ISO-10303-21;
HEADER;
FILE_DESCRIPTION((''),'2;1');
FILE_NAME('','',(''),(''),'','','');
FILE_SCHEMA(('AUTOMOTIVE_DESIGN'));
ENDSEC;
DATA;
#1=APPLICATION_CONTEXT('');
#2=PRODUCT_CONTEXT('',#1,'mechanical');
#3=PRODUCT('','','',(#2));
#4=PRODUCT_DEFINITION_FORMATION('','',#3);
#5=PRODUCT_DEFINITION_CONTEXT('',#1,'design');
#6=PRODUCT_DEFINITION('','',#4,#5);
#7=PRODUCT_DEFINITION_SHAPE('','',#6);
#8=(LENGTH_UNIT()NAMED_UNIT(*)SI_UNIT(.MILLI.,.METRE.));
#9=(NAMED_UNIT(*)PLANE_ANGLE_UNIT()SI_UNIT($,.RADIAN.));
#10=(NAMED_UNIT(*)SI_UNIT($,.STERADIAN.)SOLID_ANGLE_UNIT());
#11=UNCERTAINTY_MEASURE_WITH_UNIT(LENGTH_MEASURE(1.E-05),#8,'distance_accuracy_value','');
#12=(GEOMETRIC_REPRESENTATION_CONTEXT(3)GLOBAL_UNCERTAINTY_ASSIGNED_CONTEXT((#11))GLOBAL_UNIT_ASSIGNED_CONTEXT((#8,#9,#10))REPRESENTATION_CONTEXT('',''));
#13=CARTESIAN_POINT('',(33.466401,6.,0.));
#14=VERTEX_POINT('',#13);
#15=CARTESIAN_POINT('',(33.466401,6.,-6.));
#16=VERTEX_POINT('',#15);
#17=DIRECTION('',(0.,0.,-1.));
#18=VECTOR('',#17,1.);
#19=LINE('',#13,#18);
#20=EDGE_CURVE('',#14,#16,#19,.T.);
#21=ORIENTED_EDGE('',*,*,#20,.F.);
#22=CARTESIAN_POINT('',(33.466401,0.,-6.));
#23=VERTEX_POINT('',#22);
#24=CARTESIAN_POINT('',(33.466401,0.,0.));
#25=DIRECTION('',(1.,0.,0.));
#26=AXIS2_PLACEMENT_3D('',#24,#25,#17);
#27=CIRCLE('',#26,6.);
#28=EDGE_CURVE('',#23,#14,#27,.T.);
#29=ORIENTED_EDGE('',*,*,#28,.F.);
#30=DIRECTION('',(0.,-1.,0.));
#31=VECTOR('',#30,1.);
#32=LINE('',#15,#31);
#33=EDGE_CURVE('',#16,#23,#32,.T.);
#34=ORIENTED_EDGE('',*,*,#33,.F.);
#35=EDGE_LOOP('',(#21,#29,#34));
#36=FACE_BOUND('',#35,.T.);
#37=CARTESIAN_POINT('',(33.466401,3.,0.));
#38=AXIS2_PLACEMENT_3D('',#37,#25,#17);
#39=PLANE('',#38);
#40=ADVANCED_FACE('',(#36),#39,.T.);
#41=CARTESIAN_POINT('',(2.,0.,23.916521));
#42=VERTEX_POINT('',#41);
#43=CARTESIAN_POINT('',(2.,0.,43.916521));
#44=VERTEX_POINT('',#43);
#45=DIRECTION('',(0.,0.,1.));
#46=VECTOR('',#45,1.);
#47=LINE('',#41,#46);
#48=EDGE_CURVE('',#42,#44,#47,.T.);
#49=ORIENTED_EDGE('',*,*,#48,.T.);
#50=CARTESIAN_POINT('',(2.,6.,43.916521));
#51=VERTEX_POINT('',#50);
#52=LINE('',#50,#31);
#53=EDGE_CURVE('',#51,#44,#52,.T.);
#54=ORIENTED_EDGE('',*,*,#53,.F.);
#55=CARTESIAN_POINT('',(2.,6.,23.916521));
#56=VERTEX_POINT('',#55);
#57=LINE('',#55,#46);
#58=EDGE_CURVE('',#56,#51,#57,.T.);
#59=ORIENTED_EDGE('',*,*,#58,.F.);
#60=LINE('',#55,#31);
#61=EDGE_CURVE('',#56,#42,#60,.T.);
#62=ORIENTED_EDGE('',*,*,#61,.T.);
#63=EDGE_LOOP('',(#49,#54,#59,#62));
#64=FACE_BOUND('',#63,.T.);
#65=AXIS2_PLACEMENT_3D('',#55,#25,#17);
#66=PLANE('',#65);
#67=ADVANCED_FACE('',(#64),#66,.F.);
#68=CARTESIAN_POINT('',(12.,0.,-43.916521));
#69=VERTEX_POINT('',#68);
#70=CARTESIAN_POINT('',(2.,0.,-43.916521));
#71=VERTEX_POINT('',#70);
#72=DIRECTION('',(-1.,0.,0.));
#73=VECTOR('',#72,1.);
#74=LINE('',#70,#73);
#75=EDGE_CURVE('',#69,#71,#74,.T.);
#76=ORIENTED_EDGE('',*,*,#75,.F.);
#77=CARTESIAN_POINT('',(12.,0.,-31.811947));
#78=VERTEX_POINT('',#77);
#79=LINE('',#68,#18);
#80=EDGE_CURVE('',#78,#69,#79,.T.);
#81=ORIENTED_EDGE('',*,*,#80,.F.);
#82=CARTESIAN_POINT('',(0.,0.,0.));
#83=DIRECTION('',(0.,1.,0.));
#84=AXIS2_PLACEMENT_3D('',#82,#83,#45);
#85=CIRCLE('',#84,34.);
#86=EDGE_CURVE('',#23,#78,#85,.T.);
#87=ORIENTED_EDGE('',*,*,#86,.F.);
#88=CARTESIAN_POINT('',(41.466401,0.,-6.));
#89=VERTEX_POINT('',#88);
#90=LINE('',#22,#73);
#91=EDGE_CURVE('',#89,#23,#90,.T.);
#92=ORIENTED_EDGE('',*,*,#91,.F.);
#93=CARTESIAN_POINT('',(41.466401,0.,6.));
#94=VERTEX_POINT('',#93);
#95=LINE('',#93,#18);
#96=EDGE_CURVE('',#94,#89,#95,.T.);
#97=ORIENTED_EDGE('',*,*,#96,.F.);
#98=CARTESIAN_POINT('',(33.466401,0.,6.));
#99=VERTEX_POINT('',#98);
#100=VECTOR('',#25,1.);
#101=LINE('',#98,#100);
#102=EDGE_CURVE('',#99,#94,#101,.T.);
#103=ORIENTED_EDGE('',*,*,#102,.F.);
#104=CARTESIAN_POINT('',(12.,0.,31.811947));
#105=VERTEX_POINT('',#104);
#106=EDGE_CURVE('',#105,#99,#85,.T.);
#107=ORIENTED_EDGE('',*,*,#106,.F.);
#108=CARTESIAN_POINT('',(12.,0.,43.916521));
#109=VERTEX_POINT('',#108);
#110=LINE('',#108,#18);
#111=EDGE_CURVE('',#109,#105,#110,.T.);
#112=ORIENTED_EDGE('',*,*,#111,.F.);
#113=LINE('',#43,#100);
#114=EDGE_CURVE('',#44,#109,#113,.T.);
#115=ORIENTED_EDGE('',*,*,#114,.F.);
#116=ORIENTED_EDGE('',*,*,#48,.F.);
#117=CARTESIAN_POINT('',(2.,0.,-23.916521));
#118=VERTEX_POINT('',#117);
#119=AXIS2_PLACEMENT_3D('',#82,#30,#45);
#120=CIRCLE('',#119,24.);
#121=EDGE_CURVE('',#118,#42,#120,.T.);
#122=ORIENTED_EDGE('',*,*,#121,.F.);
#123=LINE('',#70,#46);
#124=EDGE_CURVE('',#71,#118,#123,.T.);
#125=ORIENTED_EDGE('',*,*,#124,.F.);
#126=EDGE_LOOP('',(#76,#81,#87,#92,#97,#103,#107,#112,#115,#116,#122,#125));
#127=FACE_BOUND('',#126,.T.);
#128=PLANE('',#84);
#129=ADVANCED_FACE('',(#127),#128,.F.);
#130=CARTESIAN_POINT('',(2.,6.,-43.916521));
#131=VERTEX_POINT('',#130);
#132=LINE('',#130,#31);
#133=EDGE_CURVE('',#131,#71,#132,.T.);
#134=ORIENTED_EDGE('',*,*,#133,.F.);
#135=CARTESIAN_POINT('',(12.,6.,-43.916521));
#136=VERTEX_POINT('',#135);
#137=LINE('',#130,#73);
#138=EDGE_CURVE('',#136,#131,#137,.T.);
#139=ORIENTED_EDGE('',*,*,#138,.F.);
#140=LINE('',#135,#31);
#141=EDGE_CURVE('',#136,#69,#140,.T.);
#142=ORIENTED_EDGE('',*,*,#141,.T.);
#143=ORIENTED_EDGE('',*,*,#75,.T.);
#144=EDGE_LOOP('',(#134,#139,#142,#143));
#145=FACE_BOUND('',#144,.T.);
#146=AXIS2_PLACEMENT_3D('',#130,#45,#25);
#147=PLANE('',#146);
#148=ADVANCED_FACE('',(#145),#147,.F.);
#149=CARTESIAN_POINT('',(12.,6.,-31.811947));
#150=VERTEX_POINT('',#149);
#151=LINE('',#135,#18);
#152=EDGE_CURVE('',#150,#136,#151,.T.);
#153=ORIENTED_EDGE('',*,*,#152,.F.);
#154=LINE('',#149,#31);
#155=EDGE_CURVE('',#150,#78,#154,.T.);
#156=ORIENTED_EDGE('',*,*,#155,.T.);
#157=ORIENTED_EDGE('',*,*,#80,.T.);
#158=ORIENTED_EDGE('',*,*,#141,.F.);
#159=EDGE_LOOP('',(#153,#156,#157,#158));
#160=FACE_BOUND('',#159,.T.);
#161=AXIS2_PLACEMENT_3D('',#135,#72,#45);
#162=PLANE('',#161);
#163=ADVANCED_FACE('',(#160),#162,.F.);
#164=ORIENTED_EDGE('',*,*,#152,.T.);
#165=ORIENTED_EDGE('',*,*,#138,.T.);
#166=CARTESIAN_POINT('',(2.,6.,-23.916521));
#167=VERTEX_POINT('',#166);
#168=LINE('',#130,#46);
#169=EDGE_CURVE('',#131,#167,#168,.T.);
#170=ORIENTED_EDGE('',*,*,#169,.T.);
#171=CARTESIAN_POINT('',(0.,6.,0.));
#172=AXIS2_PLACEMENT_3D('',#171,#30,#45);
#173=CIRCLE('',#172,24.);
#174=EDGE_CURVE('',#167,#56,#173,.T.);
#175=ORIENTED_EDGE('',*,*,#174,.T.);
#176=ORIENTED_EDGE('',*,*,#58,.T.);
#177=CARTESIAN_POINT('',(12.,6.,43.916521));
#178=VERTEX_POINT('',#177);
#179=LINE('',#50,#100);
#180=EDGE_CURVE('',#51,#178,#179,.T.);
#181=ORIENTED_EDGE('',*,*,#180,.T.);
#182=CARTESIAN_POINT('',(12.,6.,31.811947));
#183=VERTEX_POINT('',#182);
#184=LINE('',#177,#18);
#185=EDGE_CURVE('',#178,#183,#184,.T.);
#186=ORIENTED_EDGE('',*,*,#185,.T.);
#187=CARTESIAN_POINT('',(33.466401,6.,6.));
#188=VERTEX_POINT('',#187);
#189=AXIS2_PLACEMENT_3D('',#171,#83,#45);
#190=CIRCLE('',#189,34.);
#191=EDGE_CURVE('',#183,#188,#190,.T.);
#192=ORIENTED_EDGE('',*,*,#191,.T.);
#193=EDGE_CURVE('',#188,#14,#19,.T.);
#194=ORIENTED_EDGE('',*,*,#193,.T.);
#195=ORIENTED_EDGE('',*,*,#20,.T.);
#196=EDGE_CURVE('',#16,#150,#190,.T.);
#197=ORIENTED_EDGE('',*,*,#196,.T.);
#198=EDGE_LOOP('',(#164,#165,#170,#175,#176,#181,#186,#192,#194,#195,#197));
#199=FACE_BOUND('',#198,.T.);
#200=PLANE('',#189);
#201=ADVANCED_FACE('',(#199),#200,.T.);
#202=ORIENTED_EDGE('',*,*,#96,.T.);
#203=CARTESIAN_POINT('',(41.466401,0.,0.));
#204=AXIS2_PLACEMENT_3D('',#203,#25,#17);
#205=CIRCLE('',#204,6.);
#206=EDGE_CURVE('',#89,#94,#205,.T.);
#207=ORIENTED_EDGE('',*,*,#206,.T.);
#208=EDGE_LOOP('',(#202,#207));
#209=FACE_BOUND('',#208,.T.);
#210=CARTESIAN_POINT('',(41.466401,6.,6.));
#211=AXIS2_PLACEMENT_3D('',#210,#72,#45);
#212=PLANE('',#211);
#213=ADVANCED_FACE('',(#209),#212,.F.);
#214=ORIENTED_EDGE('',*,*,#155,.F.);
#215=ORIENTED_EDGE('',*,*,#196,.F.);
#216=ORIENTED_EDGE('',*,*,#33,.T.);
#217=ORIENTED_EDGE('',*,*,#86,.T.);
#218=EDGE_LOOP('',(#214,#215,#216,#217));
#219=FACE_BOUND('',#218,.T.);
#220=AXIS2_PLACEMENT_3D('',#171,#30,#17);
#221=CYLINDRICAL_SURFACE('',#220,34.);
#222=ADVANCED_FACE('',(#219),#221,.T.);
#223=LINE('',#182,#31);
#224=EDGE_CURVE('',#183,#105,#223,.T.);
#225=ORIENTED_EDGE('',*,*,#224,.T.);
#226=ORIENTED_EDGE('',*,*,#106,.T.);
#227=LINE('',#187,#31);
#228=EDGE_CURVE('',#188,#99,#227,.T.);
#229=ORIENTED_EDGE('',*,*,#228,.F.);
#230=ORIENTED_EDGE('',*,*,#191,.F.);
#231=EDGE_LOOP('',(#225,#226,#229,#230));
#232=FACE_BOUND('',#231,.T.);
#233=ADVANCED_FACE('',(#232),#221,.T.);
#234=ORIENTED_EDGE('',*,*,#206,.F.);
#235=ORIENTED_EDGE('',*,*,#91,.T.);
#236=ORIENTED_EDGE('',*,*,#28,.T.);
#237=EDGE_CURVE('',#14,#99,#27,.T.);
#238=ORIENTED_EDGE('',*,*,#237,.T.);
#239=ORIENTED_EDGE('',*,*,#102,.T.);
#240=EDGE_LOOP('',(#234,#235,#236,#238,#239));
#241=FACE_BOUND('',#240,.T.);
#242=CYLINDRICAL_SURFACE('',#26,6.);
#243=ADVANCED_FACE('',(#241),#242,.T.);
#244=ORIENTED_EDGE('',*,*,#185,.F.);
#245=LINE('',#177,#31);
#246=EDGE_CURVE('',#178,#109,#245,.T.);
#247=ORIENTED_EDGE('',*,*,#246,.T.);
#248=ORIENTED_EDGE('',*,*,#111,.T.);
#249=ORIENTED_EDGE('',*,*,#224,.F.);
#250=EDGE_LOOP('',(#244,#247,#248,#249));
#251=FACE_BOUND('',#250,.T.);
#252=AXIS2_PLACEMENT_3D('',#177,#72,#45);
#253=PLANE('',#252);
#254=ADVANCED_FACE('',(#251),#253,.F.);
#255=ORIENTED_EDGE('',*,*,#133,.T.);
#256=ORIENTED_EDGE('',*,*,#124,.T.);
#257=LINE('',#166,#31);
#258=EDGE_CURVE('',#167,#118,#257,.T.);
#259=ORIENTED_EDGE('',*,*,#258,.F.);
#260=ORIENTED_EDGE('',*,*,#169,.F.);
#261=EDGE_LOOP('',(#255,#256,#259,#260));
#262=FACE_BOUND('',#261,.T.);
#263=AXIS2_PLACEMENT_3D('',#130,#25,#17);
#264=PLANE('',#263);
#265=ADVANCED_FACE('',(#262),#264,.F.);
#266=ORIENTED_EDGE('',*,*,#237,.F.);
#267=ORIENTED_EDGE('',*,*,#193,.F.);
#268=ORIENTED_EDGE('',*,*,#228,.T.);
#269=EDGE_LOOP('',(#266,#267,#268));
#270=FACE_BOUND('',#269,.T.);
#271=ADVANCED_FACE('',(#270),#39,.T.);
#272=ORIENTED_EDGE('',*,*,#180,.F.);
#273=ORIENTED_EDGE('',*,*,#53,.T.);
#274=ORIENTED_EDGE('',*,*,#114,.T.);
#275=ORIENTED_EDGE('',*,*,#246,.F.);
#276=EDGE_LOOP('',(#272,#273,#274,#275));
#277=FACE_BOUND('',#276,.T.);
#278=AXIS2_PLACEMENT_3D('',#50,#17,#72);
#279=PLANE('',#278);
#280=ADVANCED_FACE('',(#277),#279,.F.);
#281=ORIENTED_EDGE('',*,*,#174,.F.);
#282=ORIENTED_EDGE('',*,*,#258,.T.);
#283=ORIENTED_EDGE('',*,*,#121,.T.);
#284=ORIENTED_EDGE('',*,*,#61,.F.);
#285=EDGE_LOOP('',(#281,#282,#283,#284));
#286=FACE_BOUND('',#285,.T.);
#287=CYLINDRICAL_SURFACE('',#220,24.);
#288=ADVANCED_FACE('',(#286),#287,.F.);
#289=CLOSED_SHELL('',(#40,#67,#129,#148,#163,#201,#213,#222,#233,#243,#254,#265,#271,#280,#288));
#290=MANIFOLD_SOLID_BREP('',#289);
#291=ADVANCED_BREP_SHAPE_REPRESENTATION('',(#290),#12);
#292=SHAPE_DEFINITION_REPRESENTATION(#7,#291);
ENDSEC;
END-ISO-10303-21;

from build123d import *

# Parameters (mm, degrees)
BOSS_EXTRUDE1_DEPTH = 6
SKETCH2_OUTSIDE_W   = 109.13
SKETCH2_OUTSIDE_H   = 27.296
CUT_EXTRUDE1_DEPTH  = 8


with BuildPart() as part:
    # Sketch1 → Boss-Extrude1 (new body)
    with BuildSketch(Plane(origin=(0, 0, 0), x_dir=(1, 0, 0), z_dir=(0, 1, 0))):
        with BuildLine():
            Line((2, 43.916521486), (2, 23.916521486))
            ThreePointArc((2, 23.916521486), (24, 0), (2, -23.916521486))
            Line((2, -23.916521486), (2, -43.916521486))
            Line((2, -43.916521486), (12, -43.916521486))
            Line((12, -43.916521486), (12, -31.811947441))
            ThreePointArc((12, -31.811947441), (26.141204334, -21.740226217), (33.466401061, -6))
            Line((33.466401061, -6), (41.466401061, -6))
            Line((41.466401061, -6), (41.466401061, 6))
            Line((41.466401061, 6), (33.466401061, 6))
            ThreePointArc((33.466401061, 6), (26.141204334, 21.740226217), (12, 31.811947441))
            Line((12, 31.811947441), (12, 43.916521486))
            Line((12, 43.916521486), (2, 43.916521486))
        make_face()
    extrude(amount=BOSS_EXTRUDE1_DEPTH)

    # Sketch2 outside → Cut-Extrude1 (cut)
    with BuildSketch(Plane(origin=(41.466401061, 0, 0), x_dir=(0, 0, -1), z_dir=(1, 0, 0))):
        with Locations((0, 3)):
            Rectangle(SKETCH2_OUTSIDE_W, SKETCH2_OUTSIDE_H)
        with BuildLine():
            Line((-6, 0), (6, 0))
            ThreePointArc((6, 0), (0, 6), (-6, 0))
        make_face(mode=Mode.SUBTRACT)
    extrude(amount=-CUT_EXTRUDE1_DEPTH, mode=Mode.SUBTRACT)


solid = part.part
